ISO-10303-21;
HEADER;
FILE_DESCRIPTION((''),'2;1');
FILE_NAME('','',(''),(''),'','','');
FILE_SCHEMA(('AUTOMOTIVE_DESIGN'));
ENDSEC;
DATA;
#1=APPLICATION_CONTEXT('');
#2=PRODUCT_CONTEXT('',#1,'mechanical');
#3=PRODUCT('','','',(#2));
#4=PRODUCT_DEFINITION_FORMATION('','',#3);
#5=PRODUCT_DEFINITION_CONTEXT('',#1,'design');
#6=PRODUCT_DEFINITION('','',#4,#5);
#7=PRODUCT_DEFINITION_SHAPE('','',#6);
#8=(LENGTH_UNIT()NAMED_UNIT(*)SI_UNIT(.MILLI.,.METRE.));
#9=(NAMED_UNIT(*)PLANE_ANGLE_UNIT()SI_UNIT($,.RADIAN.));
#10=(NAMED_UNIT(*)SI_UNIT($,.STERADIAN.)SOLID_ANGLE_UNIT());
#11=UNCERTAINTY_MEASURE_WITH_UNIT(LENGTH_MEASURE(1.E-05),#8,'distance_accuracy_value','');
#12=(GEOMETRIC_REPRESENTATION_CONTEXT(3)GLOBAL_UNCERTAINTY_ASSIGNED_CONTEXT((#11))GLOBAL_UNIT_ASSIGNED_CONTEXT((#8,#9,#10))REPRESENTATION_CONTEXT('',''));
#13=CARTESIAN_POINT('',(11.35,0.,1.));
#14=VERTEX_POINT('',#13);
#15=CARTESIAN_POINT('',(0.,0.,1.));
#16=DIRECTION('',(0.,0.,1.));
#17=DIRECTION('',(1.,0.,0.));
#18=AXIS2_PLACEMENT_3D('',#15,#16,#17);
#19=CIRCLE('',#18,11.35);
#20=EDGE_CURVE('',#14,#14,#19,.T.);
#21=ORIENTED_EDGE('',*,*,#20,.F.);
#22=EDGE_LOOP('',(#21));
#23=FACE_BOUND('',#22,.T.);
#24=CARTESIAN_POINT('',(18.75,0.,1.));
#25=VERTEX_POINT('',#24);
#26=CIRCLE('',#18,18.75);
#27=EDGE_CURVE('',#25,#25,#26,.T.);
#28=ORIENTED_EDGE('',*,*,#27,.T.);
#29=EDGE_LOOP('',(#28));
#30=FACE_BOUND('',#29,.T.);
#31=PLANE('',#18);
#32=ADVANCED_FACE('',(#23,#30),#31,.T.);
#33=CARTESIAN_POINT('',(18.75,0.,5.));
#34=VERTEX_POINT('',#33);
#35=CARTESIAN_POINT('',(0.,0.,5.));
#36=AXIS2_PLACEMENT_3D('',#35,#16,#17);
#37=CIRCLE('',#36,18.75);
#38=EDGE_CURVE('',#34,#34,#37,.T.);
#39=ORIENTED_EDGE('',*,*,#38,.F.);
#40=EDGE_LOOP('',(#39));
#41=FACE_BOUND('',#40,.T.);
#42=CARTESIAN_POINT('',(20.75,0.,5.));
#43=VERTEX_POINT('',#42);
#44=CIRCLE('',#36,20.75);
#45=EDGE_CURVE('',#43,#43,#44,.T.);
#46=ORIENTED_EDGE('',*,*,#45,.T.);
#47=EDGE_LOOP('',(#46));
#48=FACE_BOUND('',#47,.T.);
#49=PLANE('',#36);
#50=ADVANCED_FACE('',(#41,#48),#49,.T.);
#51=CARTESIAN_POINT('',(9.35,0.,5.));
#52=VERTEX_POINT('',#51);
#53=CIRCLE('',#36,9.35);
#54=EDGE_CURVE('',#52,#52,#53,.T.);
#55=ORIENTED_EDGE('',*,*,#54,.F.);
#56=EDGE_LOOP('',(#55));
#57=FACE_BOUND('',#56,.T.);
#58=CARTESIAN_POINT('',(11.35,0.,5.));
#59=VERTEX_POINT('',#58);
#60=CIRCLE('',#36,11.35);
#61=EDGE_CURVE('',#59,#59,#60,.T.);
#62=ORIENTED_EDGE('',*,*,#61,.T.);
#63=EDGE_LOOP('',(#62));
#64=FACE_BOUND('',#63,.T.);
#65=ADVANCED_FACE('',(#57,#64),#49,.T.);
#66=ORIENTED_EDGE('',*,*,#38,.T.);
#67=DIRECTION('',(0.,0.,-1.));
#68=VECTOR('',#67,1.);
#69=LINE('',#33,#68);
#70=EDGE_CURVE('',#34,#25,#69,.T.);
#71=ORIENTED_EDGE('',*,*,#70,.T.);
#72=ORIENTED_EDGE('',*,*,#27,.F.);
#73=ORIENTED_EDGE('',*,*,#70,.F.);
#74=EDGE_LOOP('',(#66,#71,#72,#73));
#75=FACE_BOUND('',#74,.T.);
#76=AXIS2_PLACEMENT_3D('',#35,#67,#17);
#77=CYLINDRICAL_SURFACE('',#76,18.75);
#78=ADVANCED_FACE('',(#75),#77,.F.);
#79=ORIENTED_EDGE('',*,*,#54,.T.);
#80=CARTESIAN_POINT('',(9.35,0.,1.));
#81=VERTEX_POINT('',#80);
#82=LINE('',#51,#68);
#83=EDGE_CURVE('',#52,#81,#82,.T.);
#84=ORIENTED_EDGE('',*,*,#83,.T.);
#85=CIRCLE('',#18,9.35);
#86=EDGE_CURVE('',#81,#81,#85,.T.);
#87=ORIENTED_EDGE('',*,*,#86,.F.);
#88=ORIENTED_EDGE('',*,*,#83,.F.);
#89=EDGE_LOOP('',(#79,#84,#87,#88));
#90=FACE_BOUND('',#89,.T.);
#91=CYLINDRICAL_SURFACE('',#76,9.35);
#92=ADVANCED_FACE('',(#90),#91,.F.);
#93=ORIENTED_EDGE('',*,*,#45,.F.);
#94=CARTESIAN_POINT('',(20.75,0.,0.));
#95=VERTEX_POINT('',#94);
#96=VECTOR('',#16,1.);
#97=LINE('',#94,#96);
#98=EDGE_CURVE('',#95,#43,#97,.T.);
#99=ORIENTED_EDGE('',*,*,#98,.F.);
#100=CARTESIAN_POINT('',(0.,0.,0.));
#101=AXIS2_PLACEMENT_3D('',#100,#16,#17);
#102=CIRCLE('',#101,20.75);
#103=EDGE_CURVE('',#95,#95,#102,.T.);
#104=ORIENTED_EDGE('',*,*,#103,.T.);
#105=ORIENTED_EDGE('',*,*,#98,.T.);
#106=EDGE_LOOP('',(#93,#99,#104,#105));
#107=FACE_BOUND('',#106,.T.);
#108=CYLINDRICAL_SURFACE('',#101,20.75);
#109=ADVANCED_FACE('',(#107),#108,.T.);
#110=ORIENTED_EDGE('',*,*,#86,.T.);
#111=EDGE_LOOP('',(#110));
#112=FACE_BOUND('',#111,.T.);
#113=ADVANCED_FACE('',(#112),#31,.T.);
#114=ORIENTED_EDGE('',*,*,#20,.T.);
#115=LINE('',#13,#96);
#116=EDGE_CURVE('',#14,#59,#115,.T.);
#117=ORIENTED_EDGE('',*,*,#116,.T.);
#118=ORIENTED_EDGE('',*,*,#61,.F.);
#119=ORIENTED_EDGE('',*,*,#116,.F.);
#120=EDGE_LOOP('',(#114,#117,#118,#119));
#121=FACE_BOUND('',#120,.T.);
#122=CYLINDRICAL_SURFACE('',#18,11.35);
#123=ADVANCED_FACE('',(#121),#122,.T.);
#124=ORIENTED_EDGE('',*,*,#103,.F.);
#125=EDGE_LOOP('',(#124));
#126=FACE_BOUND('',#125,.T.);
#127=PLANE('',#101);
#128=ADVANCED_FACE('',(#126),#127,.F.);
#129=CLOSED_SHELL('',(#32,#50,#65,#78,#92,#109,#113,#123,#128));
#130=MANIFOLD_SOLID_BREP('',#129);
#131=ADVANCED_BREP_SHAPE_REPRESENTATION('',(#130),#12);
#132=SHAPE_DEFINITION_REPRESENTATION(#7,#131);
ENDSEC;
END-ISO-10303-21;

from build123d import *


with BuildPart() as part:
    # Sketch → Revolution (revolve)
    with BuildSketch(Plane.XZ):
        Polygon((0, 0), (20.75, 0), (20.75, 5), (18.75, 5), (18.75, 1), (11.35, 1), (11.35, 5), (9.35, 5), (9.35, 1), (0, 1), align=None)
    revolve(axis=Axis((0, 0, 0), (0, 0, 1)))


solid = part.part
